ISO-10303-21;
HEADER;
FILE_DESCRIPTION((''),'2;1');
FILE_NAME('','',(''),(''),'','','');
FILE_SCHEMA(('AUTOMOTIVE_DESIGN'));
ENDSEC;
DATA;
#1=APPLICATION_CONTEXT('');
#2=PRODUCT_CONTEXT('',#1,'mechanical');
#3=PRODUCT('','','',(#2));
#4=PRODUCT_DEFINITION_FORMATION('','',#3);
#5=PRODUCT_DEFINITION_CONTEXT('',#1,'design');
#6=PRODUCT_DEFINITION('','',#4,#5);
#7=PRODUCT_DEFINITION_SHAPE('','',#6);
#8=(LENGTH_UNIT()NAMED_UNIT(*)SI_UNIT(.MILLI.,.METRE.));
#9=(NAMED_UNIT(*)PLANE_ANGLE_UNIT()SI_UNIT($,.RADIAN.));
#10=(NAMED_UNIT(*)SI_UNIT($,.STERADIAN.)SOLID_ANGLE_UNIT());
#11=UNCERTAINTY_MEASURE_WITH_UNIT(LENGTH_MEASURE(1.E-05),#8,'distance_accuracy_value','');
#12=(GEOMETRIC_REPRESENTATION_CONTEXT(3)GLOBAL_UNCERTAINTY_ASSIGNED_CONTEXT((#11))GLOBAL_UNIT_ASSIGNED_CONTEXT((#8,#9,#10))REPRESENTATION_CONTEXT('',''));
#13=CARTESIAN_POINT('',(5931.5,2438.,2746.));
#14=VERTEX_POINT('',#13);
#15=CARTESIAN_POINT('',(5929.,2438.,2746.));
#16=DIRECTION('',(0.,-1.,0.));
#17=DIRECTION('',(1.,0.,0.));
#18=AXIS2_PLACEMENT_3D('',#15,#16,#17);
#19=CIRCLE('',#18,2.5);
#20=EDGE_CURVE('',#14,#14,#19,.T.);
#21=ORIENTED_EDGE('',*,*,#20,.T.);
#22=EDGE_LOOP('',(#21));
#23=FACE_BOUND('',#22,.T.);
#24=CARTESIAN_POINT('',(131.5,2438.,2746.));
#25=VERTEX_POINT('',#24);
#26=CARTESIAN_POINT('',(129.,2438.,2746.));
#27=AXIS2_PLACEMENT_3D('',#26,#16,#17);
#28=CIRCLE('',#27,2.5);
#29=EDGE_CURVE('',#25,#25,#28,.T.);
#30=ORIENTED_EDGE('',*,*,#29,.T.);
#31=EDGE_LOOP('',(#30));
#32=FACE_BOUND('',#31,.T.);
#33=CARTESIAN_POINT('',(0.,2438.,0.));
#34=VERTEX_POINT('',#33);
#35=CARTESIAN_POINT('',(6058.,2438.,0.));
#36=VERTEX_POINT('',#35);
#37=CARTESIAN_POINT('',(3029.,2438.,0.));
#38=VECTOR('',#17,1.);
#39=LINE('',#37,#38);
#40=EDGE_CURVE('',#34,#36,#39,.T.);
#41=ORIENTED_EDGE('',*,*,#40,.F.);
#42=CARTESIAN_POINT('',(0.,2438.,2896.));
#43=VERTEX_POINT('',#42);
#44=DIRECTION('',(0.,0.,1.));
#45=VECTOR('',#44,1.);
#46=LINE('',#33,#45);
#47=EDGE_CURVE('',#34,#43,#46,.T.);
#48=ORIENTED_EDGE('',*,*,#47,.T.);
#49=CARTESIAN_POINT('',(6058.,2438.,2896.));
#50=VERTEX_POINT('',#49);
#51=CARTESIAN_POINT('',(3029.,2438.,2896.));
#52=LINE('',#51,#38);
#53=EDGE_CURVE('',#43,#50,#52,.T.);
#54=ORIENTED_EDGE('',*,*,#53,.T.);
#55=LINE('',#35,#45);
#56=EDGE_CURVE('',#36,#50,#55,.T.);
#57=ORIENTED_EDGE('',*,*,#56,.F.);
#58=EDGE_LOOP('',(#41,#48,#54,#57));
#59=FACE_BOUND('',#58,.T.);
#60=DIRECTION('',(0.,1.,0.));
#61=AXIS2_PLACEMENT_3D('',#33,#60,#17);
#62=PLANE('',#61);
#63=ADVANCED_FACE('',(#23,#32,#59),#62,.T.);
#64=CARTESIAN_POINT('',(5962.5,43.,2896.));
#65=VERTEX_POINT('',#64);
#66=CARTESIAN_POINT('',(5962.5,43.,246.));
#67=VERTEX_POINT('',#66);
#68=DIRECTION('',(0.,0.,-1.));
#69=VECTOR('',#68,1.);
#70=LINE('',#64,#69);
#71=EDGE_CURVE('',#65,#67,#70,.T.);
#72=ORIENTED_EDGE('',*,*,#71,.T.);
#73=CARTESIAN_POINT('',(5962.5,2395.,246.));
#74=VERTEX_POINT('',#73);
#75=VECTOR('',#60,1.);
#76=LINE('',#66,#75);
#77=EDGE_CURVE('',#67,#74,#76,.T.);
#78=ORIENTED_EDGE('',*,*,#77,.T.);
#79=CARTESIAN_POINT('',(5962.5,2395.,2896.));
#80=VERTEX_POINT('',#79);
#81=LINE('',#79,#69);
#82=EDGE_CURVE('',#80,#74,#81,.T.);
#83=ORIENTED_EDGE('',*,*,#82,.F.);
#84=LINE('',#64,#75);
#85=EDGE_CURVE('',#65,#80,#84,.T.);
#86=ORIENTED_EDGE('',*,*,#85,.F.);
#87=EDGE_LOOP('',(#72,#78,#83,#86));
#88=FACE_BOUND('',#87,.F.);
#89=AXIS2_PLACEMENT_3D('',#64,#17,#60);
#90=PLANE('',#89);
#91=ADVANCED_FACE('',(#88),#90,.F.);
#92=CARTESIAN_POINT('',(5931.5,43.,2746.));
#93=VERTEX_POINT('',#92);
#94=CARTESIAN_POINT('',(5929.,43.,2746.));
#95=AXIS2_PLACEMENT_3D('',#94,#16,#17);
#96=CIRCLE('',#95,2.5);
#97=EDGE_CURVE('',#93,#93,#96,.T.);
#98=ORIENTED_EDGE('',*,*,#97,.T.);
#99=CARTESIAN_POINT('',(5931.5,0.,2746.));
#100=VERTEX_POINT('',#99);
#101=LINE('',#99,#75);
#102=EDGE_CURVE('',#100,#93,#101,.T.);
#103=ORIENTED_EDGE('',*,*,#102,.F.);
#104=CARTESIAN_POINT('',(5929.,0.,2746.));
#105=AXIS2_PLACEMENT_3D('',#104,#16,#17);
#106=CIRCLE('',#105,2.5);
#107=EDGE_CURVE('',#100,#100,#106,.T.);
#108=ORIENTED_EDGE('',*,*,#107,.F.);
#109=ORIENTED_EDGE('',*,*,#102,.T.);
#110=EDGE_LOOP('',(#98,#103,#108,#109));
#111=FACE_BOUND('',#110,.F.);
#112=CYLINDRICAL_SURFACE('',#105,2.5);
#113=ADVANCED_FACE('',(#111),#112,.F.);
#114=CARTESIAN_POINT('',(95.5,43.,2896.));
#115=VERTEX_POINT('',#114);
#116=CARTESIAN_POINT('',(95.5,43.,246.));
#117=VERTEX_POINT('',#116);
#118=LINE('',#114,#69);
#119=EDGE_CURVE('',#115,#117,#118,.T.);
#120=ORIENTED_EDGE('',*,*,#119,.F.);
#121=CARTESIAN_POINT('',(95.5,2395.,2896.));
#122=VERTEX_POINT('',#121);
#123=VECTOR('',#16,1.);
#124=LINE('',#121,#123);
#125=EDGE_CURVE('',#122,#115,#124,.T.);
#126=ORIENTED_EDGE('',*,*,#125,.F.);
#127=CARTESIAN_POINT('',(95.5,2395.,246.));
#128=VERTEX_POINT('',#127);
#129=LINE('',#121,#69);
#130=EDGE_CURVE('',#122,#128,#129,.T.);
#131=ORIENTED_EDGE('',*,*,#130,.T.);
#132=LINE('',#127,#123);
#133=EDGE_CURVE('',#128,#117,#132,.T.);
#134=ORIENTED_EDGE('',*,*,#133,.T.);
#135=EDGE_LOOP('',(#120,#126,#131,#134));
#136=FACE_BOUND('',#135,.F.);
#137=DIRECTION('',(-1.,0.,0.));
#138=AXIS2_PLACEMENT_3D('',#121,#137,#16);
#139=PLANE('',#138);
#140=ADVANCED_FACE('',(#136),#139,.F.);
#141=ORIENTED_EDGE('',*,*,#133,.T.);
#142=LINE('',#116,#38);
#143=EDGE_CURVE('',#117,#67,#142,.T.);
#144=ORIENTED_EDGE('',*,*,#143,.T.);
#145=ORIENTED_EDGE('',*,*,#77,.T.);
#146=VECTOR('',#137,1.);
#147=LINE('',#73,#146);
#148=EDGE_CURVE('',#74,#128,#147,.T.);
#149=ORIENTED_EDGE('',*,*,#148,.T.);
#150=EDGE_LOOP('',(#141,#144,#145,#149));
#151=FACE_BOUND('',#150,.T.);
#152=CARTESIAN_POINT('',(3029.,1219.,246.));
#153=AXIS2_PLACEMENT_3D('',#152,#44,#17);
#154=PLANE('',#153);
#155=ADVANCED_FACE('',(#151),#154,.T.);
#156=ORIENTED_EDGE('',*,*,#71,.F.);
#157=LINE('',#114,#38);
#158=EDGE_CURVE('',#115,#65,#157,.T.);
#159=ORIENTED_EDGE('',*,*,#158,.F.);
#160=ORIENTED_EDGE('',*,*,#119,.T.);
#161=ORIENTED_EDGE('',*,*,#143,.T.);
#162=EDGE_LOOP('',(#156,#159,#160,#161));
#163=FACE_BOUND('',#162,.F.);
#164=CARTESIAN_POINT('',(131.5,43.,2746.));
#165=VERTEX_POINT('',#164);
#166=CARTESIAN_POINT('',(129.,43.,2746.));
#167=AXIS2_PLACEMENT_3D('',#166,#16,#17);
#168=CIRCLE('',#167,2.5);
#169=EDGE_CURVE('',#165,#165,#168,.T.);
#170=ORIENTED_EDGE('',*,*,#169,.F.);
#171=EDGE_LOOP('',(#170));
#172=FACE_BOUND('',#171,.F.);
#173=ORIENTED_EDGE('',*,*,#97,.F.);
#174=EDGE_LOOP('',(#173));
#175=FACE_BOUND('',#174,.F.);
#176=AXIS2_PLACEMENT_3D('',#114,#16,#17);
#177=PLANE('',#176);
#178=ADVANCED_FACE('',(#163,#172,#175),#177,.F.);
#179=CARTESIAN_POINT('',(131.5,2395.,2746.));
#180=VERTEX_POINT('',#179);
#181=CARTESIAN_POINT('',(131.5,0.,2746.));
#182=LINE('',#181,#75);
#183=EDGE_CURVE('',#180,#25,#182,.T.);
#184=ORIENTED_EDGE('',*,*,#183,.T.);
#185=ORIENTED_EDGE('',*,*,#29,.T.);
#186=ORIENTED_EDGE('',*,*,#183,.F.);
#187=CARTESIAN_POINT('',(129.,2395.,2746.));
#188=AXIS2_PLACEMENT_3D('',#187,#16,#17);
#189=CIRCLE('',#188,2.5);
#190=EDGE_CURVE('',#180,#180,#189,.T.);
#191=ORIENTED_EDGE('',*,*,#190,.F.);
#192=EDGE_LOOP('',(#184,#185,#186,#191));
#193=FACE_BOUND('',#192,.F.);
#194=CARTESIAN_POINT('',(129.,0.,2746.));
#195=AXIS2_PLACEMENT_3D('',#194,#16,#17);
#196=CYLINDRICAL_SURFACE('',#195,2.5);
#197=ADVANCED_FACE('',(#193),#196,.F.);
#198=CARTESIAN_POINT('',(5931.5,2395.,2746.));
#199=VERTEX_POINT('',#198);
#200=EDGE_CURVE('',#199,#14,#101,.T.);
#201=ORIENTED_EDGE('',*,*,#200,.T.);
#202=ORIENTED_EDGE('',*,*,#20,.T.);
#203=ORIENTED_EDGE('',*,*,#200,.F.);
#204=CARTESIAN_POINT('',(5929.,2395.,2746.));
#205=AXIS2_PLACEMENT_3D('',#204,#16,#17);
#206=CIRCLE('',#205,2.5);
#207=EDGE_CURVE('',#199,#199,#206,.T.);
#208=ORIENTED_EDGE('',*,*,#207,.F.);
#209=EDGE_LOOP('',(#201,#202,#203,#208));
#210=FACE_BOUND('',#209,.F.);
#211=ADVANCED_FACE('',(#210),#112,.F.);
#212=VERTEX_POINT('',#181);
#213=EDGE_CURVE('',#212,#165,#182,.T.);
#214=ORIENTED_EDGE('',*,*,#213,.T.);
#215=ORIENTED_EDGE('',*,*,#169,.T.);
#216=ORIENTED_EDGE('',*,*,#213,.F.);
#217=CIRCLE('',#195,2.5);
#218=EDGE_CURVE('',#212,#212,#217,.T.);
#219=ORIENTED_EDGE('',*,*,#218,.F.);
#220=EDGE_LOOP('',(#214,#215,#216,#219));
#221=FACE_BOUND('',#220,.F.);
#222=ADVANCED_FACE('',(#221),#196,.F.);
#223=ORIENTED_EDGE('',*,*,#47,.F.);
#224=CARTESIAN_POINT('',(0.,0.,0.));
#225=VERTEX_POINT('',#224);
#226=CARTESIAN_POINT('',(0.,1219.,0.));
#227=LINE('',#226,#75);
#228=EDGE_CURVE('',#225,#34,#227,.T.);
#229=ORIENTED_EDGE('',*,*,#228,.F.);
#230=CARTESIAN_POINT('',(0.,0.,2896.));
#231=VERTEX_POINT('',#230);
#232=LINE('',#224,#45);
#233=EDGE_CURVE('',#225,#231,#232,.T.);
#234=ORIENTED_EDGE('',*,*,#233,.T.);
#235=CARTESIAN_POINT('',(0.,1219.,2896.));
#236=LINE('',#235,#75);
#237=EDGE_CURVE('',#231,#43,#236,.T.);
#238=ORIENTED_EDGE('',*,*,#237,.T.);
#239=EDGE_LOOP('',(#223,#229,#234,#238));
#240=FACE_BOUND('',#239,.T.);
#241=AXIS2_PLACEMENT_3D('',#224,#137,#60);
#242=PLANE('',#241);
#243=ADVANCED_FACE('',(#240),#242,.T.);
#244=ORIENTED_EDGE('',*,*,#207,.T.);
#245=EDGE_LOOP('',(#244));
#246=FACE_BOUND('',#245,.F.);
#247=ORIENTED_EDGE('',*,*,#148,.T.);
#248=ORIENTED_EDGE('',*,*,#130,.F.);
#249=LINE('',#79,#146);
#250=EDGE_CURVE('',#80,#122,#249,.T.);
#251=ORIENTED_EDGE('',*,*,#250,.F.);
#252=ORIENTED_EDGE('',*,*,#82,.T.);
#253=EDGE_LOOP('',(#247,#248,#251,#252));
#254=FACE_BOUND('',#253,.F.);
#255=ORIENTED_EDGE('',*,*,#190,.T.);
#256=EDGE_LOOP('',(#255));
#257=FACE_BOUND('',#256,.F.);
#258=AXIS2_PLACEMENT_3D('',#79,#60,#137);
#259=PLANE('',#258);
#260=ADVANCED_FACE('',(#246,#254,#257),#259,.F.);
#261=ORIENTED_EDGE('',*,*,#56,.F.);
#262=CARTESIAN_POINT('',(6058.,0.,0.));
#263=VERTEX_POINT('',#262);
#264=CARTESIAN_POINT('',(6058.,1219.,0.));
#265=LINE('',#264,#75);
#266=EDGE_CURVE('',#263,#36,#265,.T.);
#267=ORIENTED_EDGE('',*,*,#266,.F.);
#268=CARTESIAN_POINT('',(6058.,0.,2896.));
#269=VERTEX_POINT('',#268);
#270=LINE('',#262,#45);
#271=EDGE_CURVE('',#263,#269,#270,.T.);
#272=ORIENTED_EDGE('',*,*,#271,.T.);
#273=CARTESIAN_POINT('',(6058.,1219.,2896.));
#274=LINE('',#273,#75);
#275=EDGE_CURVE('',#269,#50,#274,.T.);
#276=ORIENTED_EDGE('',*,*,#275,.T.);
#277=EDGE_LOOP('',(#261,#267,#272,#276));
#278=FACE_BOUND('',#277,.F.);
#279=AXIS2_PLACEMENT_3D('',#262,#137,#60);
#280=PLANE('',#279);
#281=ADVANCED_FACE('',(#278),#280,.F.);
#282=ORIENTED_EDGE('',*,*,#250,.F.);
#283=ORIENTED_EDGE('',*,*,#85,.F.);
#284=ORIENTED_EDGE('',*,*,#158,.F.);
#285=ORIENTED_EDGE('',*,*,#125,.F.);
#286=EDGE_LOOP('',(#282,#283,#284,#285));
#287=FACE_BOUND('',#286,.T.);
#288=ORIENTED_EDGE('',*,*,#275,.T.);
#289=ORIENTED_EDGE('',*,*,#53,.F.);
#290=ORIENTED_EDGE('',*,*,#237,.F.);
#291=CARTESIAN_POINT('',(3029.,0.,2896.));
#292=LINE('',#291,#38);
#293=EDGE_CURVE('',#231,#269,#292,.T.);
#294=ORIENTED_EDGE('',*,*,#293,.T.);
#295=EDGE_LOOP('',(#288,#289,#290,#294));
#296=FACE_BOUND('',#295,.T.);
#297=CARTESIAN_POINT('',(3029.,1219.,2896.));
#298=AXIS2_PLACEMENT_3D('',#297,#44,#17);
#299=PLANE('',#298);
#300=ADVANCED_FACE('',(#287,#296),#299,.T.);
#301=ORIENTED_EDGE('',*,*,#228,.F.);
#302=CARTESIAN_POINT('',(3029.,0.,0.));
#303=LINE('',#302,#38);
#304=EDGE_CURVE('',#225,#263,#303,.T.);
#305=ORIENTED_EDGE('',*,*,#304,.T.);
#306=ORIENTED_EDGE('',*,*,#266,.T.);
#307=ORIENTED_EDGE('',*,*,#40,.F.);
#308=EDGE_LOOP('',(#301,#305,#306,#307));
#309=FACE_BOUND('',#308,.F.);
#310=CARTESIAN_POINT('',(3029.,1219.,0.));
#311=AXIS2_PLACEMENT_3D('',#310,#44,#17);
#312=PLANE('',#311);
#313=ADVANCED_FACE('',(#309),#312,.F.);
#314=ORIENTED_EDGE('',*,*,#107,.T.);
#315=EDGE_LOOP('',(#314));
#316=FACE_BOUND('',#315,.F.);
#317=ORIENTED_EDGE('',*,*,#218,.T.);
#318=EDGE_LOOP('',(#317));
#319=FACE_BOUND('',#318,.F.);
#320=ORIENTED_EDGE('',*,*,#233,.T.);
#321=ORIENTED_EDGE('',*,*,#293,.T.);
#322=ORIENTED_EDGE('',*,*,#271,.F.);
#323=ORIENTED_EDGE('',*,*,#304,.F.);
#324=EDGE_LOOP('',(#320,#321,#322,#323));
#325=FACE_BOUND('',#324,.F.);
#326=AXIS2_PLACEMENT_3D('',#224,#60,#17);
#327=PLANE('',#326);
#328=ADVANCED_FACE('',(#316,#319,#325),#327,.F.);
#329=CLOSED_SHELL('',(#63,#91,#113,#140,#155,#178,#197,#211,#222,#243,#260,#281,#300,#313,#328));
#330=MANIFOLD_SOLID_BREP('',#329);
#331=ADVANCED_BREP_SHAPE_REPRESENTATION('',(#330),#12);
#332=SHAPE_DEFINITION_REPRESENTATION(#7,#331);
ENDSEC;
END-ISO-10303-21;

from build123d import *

# Parameters (mm, degrees)
F0_W     = 6058
F0_H     = 2438
F1_DEPTH = 2896
F3_DEPTH = 2650
F5_DEPTH = 2438.001


with BuildPart() as f1:
    # F0 (on Top) → F1 (new body)
    with BuildSketch(Plane.XY):
        with Locations((3029, 1219)):
            Rectangle(F0_W, F0_H)
    extrude(amount=F1_DEPTH)

    # F2 (on face) → F3 (cut)
    with BuildSketch(Plane.XY.offset(2896)):
        Polygon((3029, 2395), (95.5, 2395), (95.5, 1219), (95.5, 43), (3029, 43), (5962.5, 43), (5962.5, 1219), (5962.5, 2395), align=None)
    extrude(amount=-F3_DEPTH, mode=Mode.SUBTRACT)

    # F4 (on face) → F5 (cut, through all)
    with BuildSketch(Plane.XZ):
        with BuildLine():
            Line((131.5, 2746), (129, 2746))
            Line((129, 2746), (126.5, 2746))
            ThreePointArc((126.5, 2746), (129, 2743.5), (131.5, 2746))
        make_face()
        with BuildLine():
            Line((126.5, 2746), (129, 2746))
            Line((129, 2746), (131.5, 2746))
            ThreePointArc((131.5, 2746), (129, 2748.5), (126.5, 2746))
        make_face()
        with BuildLine():
            Line((5929, 2746), (5926.5, 2746))
            ThreePointArc((5926.5, 2746), (5929, 2743.5), (5931.5, 2746))
            Line((5931.5, 2746), (5929, 2746))
        make_face()
        with BuildLine():
            ThreePointArc((5931.5, 2746), (5929, 2748.5), (5926.5, 2746))
            Line((5926.5, 2746), (5929, 2746))
            Line((5929, 2746), (5931.5, 2746))
        make_face()
    extrude(amount=-F5_DEPTH, mode=Mode.SUBTRACT)


solid = f1.part
